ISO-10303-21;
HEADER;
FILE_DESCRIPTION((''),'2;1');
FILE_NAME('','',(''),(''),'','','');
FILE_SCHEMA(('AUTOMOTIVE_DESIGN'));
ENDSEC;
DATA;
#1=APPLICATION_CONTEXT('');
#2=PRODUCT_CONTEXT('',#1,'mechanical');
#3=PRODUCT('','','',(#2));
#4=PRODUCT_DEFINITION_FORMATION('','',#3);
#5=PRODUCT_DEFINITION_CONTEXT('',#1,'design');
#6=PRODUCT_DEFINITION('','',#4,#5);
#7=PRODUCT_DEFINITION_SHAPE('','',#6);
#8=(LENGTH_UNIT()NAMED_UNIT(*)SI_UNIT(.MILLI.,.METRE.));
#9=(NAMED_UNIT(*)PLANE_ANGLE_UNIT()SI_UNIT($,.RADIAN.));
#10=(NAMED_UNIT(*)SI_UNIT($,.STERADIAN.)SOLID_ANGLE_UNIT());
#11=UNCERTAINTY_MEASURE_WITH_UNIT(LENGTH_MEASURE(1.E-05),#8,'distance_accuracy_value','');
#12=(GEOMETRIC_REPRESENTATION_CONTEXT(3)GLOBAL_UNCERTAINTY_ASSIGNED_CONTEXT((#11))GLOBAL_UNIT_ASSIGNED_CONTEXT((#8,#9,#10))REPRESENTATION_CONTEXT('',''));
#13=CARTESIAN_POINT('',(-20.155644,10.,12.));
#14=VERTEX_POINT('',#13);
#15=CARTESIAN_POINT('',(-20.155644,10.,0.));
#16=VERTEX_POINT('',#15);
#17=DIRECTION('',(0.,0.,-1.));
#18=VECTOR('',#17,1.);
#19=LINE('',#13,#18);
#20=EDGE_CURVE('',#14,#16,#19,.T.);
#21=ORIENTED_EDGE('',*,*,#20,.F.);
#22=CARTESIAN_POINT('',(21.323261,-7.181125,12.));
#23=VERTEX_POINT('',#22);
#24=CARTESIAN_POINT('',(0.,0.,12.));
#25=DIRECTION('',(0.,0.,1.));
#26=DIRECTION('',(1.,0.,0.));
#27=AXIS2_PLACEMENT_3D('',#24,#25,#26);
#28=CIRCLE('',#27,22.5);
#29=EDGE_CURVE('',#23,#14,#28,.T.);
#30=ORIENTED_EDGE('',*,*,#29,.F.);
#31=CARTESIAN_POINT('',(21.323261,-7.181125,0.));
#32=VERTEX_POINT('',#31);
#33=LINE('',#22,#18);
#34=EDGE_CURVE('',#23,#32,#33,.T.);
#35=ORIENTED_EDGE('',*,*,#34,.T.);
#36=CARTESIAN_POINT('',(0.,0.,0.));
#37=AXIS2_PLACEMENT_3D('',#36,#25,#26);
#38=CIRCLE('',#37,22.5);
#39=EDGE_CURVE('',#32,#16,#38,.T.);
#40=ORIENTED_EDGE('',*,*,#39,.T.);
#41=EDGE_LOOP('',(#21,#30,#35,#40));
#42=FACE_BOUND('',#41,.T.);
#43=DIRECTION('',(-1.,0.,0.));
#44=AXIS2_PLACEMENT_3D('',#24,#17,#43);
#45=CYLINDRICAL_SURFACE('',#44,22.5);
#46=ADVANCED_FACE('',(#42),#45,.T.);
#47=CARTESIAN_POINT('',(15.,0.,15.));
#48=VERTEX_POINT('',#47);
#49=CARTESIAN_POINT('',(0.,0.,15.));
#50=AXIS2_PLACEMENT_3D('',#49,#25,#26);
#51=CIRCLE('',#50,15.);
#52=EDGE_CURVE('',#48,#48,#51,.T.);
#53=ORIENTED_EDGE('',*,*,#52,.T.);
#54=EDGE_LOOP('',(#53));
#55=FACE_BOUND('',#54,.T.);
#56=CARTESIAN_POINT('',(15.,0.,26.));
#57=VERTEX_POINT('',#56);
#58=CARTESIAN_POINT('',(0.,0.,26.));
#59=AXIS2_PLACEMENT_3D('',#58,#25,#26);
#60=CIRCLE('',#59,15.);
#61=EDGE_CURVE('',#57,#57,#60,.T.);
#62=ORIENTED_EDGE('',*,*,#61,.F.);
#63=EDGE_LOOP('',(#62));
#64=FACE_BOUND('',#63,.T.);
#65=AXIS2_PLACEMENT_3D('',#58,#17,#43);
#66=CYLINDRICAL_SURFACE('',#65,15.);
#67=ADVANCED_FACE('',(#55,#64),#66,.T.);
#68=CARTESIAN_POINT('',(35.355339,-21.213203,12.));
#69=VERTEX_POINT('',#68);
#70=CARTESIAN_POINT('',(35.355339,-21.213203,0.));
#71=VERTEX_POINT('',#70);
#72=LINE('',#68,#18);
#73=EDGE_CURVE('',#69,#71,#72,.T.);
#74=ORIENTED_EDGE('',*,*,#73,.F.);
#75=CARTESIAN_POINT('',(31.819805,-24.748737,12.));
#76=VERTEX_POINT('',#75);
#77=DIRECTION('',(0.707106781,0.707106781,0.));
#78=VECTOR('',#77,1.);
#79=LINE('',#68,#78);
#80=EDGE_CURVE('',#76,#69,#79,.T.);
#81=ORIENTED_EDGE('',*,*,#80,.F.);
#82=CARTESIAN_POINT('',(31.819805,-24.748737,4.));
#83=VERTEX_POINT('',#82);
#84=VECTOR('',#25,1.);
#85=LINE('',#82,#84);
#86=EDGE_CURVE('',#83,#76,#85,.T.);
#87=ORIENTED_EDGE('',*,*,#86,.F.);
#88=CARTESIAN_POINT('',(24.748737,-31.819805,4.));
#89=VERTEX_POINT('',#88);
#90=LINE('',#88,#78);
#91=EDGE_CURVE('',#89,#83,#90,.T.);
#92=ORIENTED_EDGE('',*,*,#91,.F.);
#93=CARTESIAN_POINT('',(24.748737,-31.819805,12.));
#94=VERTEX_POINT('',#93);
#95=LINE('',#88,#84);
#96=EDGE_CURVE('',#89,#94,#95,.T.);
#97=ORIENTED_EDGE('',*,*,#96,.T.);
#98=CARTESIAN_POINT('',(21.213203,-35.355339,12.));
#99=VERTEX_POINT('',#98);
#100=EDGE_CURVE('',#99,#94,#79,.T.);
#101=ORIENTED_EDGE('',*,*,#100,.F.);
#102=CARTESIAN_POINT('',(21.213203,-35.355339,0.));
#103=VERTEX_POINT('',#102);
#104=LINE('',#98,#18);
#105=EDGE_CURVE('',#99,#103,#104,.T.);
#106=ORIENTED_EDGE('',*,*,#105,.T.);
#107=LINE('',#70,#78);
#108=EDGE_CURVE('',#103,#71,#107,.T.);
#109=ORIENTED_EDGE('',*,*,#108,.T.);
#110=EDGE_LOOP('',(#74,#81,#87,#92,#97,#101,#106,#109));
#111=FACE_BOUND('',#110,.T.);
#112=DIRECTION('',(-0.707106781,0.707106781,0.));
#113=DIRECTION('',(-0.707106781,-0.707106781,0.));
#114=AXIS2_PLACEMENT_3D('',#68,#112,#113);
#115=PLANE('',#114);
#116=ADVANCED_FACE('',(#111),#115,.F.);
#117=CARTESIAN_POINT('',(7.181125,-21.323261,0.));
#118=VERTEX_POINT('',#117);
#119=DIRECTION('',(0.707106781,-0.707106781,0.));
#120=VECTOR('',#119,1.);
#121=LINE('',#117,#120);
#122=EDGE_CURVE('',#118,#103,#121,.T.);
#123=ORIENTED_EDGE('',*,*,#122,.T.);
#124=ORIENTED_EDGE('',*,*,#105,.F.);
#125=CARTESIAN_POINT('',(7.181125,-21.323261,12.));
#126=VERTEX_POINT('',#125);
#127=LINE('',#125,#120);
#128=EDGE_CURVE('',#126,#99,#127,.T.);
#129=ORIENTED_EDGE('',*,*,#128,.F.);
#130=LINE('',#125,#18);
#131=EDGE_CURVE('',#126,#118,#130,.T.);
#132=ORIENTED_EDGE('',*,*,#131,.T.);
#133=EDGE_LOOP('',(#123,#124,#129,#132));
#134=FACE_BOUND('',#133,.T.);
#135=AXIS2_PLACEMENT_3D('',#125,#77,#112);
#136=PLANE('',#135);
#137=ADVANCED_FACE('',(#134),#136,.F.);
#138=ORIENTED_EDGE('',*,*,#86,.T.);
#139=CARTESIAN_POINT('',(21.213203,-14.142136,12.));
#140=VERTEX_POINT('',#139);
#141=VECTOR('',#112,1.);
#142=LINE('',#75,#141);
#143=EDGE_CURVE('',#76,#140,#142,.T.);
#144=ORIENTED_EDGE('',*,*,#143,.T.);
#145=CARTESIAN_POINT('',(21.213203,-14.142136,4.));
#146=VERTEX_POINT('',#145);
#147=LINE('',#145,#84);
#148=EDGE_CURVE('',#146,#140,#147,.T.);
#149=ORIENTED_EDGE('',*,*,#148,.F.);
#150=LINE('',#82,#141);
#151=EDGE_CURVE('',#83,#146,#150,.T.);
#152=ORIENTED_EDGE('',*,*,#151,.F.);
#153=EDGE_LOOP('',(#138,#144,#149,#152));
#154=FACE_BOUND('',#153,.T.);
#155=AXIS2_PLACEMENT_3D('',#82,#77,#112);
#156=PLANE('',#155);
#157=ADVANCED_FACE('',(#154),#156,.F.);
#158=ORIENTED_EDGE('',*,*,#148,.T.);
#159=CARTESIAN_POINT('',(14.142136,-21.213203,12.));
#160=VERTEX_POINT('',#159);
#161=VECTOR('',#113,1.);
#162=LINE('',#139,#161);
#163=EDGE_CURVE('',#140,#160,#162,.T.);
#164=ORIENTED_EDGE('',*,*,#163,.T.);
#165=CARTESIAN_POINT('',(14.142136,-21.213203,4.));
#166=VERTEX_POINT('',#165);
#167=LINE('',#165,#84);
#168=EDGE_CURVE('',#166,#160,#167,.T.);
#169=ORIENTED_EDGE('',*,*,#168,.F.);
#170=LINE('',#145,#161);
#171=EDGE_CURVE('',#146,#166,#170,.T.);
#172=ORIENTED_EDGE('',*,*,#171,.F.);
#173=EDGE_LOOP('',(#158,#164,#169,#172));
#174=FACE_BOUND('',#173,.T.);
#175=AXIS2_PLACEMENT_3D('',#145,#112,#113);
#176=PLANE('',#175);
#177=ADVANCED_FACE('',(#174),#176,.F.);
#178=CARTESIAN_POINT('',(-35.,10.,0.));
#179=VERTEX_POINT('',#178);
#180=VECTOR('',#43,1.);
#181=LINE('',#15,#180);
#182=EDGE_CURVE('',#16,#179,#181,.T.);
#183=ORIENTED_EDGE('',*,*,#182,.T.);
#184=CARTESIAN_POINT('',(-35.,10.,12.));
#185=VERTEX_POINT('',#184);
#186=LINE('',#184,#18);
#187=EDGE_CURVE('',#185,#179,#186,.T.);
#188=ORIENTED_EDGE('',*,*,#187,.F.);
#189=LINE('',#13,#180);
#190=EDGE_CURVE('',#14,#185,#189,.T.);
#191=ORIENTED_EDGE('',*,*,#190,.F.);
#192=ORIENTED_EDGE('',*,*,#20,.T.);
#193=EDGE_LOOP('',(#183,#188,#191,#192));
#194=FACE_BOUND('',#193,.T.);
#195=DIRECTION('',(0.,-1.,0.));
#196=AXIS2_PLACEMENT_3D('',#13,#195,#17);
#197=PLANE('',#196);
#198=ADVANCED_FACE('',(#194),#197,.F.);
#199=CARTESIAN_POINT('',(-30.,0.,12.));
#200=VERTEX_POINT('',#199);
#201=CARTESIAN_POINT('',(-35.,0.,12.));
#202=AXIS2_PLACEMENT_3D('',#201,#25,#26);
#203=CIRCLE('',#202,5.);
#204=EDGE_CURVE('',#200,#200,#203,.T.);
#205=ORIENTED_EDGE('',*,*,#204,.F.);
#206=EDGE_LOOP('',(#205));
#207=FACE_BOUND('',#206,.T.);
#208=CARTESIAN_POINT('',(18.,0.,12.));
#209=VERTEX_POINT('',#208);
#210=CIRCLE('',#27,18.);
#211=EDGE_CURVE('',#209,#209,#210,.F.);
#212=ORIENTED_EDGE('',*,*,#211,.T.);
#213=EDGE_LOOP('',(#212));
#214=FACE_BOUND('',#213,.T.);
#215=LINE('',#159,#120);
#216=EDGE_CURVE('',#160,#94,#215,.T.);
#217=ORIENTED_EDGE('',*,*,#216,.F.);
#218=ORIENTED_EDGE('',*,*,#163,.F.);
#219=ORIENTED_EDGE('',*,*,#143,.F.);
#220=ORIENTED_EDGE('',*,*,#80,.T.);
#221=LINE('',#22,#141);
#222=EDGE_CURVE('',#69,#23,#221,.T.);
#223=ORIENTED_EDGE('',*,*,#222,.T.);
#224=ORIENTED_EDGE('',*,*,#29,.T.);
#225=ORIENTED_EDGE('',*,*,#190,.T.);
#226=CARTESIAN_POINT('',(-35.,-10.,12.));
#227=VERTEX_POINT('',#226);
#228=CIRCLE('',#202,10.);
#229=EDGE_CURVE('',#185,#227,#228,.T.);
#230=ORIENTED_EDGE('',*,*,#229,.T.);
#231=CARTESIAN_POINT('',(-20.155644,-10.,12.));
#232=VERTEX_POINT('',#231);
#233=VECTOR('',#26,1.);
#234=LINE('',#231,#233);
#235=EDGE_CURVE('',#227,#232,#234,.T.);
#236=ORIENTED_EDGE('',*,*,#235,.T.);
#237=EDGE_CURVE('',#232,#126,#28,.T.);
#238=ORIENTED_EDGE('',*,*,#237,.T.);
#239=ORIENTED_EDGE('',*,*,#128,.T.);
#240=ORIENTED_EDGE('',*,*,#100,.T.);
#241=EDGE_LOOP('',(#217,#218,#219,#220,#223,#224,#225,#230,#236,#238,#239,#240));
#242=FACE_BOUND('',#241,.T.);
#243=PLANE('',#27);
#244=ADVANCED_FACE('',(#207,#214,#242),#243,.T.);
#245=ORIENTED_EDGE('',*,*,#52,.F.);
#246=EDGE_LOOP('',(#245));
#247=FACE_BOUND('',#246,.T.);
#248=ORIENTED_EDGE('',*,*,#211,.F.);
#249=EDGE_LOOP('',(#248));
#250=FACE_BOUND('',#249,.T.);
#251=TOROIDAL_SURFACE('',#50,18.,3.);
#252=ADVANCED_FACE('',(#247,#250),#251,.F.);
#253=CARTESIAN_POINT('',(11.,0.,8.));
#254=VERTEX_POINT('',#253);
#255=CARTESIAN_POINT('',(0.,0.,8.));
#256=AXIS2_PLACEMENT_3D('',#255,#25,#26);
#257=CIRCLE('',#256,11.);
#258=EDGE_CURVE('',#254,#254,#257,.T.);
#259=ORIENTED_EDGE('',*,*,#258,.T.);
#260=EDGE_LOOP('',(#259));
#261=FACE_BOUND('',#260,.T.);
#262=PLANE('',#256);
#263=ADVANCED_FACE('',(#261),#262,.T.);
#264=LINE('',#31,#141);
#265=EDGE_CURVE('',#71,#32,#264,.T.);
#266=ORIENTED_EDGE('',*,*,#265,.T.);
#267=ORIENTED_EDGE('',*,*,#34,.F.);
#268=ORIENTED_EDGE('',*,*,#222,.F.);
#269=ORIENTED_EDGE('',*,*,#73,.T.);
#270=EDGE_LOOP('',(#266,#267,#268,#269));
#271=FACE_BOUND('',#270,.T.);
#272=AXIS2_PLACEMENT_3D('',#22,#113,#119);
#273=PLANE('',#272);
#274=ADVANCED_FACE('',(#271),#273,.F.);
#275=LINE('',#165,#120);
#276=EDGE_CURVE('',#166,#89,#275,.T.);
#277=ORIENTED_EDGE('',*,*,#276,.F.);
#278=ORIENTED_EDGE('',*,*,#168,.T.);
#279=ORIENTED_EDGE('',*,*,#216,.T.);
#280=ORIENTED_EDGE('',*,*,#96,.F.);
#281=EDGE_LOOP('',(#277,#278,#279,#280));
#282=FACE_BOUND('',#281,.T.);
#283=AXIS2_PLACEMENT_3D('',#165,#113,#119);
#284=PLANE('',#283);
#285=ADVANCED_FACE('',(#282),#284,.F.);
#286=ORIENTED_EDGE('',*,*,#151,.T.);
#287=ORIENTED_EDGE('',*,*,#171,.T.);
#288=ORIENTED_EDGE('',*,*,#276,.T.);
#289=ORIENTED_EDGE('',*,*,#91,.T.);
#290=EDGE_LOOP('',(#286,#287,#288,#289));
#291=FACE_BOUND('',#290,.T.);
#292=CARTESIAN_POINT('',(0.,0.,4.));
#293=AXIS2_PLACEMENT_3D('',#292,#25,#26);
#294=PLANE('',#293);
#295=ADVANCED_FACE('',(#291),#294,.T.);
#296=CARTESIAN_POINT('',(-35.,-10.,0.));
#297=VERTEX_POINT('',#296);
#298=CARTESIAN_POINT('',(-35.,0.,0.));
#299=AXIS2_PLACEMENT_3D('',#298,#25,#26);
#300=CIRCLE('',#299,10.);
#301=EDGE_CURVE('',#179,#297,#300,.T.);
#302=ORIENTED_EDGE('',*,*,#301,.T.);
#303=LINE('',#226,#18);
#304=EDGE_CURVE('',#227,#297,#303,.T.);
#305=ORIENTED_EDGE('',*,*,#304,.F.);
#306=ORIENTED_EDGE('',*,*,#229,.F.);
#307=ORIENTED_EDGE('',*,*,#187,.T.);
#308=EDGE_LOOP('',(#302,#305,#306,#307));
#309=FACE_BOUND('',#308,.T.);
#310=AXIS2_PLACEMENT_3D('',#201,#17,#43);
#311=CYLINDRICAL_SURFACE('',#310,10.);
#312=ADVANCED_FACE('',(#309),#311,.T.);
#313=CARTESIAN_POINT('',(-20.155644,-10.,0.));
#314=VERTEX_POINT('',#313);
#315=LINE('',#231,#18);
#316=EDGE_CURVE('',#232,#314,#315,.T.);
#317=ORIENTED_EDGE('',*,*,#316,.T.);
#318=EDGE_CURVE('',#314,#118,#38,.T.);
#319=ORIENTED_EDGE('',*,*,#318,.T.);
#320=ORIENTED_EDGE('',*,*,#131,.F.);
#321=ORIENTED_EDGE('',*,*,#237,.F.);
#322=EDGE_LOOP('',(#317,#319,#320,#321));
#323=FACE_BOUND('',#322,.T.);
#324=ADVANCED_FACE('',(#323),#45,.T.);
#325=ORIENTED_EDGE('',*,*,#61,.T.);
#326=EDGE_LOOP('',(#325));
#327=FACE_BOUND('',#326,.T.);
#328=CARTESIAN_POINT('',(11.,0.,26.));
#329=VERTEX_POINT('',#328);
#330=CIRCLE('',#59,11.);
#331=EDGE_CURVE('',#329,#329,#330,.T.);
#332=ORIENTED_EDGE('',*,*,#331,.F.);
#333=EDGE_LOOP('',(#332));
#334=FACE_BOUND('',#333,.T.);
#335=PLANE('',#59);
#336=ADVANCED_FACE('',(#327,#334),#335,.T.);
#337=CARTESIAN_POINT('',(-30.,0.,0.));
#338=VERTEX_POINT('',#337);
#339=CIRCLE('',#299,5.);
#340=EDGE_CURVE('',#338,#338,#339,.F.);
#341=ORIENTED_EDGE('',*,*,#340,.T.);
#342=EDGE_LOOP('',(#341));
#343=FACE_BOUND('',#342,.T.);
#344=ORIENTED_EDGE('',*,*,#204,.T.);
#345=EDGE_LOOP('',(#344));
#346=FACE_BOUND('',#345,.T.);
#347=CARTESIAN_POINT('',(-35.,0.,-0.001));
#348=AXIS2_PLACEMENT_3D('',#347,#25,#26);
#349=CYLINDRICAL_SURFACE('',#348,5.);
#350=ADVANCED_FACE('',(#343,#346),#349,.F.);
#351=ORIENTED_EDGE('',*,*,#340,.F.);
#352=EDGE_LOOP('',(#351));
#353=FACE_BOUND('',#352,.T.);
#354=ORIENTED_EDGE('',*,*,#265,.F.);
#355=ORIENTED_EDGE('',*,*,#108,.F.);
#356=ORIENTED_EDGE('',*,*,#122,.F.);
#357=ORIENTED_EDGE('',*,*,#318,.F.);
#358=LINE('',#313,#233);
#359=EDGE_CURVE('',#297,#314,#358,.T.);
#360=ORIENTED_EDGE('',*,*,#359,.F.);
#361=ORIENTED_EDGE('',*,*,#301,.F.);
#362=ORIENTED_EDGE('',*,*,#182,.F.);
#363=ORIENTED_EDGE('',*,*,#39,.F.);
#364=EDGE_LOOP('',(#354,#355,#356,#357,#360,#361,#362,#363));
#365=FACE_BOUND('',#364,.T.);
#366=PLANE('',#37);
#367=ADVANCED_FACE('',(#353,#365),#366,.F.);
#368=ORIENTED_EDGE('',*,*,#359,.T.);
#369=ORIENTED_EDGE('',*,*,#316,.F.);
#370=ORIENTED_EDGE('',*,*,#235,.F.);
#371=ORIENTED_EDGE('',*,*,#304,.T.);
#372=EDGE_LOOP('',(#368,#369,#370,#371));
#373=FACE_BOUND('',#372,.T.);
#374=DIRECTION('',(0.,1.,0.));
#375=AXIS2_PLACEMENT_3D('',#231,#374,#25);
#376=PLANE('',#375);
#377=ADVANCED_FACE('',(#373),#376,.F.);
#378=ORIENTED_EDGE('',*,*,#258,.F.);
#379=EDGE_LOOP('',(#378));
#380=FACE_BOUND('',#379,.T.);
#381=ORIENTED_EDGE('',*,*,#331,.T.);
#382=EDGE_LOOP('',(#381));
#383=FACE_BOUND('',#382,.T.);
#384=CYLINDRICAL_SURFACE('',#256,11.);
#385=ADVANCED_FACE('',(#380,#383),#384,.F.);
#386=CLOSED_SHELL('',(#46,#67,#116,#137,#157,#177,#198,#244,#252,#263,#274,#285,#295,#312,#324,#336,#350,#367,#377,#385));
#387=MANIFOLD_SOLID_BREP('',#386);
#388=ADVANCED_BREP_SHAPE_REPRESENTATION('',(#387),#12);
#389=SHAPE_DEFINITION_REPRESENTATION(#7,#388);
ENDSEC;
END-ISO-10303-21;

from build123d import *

# Parameters (mm, degrees)
SALIENTE_EXTRUIR1_DEPTH = 12
CROQUIS4_R              = 15
SALIENTE_EXTRUIR2_DEPTH = 14
CROQUIS5_R              = 11
CORTAR_EXTRUIR3_DEPTH   = 18
REDONDEO1_R             = 3
CORTAR_EXTRUIR4_DEPTH   = 8
CORTAR_EXTRUIR6_REACH   = 60.915
CROQUIS2_R              = 5


with BuildPart() as part:
    # Croquis1 → Saliente-Extruir1 (new body)
    with BuildSketch(Plane.XY):
        with BuildLine():
            Line((7.181125002, -21.323260626), (21.213203436, -35.355339059))
            Line((21.213203436, -35.355339059), (35.355339059, -21.213203436))
            Line((35.355339059, -21.213203436), (21.323260626, -7.181125002))
            ThreePointArc((21.323260626, -7.181125002), (8.610377228, 20.787289482), (-20.155644371, 10))
            Line((-20.155644371, 10), (-35, 10))
            ThreePointArc((-35, 10), (-45, 0), (-35, -10))
            Line((-35, -10), (-20.155644371, -10))
            ThreePointArc((-20.155644371, -10), (-8.610377228, -20.787289482), (7.181125002, -21.323260626))
        make_face()
    extrude(amount=SALIENTE_EXTRUIR1_DEPTH)

    # Croquis4 → Saliente-Extruir2 (add)
    with BuildSketch(Plane.XY.offset(12)):
        Circle(CROQUIS4_R)
    extrude(amount=SALIENTE_EXTRUIR2_DEPTH)

    # Croquis5 → Cortar-Extruir3 (cut)
    with BuildSketch(Plane.XY.offset(26)):
        Circle(CROQUIS5_R)
    extrude(amount=-CORTAR_EXTRUIR3_DEPTH, mode=Mode.SUBTRACT)

    # Redondeo1
    redondeo1_edges = [part.edges().sort_by_distance(p)[0] for p in [
        (-15, 0, 12),
    ]]
    fillet(redondeo1_edges, radius=REDONDEO1_R)

    # Croquis3 → Cortar-Extruir4 (cut)
    with BuildSketch(Plane.XY.offset(12)):
        Polygon((31.819805153, -24.748737342), (21.213203436, -14.142135624), (14.142135624, -21.213203436), (24.748737342, -31.819805153), align=None)
    extrude(amount=-CORTAR_EXTRUIR4_DEPTH, mode=Mode.SUBTRACT)

    # Croquis2 → Cortar-Extruir6 (cut, up to next)
    with BuildSketch(Plane.XY.offset(12), mode=Mode.PRIVATE) as cortar_extruir6_sk1:
        with Locations((-35, 0)):
            Circle(CROQUIS2_R)
    cortar_extruir6_tool1 = extrude(cortar_extruir6_sk1.sketch, amount=-CORTAR_EXTRUIR6_REACH, mode=Mode.PRIVATE) & part.part
    add(cortar_extruir6_tool1.solids().sort_by_distance((-35, 0, 12))[0], mode=Mode.SUBTRACT)


solid = part.part
